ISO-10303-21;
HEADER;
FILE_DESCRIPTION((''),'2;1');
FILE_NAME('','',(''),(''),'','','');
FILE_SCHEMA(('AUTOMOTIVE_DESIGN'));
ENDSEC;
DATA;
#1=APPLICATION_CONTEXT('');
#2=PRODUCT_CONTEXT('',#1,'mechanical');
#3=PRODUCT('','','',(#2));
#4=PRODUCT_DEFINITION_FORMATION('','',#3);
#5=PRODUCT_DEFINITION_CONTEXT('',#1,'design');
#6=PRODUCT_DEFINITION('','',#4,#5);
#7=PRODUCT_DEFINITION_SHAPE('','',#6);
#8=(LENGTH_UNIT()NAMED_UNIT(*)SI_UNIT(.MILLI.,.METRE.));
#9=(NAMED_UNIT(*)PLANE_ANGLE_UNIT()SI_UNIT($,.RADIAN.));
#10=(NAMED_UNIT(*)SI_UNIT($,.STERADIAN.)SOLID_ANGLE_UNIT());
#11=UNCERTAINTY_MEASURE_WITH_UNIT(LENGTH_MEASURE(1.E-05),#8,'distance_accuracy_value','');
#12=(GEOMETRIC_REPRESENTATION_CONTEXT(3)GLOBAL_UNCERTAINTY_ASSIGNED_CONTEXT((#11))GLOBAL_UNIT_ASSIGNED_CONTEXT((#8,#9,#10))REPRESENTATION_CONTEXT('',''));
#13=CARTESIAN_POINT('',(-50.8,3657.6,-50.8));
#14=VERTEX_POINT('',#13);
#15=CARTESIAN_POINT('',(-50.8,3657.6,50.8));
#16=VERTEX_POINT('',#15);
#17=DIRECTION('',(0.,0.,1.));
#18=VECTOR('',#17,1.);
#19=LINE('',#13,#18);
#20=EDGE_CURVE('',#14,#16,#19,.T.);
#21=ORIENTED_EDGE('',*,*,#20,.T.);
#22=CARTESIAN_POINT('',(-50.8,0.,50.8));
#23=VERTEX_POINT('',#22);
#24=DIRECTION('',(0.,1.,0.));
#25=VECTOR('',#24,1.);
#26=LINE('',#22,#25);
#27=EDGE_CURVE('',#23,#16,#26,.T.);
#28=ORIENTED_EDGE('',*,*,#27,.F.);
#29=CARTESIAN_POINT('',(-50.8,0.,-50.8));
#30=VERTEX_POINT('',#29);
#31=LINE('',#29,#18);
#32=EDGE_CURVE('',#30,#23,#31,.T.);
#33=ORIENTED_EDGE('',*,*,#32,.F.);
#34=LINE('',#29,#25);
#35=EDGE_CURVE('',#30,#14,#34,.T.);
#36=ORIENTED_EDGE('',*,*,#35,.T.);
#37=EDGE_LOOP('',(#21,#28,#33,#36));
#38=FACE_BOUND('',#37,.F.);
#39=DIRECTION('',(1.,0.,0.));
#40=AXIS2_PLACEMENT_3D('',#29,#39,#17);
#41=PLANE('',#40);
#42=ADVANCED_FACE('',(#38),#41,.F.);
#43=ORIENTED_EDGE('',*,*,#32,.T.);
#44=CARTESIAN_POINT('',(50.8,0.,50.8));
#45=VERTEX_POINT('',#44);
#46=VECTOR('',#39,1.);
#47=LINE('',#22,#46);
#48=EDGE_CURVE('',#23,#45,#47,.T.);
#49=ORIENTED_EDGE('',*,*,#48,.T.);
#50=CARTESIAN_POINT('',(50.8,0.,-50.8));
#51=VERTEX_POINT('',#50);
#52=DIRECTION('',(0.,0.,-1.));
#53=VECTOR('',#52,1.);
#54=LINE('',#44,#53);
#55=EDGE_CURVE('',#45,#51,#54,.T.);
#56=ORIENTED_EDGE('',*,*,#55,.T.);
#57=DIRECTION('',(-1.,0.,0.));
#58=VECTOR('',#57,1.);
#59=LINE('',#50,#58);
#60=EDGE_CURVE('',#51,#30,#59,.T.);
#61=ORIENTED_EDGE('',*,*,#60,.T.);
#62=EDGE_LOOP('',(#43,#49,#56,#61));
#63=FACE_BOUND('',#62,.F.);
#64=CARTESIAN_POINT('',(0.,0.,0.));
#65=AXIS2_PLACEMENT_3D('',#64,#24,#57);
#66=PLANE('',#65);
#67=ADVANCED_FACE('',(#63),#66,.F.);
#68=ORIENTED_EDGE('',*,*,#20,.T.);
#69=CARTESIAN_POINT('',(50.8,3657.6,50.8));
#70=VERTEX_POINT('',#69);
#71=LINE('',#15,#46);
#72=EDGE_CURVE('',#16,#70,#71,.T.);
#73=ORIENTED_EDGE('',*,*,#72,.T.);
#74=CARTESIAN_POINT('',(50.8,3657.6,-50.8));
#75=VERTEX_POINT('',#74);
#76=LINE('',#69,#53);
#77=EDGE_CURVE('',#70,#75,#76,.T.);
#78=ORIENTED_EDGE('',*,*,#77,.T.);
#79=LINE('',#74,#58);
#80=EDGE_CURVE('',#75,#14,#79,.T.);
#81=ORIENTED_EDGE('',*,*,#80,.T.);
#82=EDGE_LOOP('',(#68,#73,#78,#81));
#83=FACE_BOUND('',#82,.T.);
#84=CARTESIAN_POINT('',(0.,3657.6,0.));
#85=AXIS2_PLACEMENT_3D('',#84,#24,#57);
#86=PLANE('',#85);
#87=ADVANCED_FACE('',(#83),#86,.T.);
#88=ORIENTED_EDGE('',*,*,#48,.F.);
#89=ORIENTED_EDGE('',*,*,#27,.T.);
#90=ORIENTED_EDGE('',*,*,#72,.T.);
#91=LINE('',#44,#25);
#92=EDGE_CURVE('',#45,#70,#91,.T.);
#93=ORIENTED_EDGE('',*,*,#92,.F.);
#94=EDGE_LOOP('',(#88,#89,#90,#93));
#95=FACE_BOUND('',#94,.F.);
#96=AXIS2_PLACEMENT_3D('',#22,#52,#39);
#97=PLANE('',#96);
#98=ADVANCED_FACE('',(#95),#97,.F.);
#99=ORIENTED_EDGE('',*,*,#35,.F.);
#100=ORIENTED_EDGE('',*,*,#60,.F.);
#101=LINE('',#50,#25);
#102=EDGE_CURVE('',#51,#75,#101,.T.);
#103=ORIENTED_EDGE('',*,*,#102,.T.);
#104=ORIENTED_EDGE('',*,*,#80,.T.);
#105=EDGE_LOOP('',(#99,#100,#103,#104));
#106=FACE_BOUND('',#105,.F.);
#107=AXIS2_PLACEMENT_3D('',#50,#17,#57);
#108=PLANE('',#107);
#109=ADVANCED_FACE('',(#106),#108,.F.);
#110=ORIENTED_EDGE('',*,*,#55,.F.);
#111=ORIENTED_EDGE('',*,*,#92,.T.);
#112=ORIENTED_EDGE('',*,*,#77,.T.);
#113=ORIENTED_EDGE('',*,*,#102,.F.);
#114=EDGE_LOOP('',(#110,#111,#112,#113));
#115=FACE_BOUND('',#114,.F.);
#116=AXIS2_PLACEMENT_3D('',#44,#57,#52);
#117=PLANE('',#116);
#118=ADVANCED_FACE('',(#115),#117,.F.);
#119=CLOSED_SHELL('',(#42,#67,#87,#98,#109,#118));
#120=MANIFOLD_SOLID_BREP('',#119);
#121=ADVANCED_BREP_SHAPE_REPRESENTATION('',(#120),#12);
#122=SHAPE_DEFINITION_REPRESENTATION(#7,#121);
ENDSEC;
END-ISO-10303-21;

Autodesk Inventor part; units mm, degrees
ref_plane "YZ Plane" through (0, 0, 0) normal (1, 0, 0) x (0, 1, 0)
ref_plane "XZ Plane" through (0, 0, 0) normal (0, 1, 0) x (-1, 0, 0)
ref_plane "XY Plane" through (0, 0, 0) normal (0, 0, 1) x (1, 0, 0)
sketch "Sketch1" plane through (0, 0, 0) normal (0, 1, 0) x (-1, 0, 0)
  line L0 (-50.8, 50.8) -> (-50.8, -50.8)
  line L1 (-50.8, -50.8) -> (50.8, -50.8)
  line L2 (50.8, -50.8) -> (50.8, 50.8)
  line L3 (50.8, 50.8) -> (-50.8, 50.8)
  line L4 (-50.8, 50.8) -> (50.8, -50.8) construction
  line L5 (-50.8, -50.8) -> (50.8, 50.8) construction
  point P0 (0, 0)
  dimension "d0" = 101.6
  dimension "d1" = 101.6
extrude "Extrusion1" add sketch "Sketch1" along normal blind 3657.6
properties part number "4x4x144" material "Wood (Birch)"
